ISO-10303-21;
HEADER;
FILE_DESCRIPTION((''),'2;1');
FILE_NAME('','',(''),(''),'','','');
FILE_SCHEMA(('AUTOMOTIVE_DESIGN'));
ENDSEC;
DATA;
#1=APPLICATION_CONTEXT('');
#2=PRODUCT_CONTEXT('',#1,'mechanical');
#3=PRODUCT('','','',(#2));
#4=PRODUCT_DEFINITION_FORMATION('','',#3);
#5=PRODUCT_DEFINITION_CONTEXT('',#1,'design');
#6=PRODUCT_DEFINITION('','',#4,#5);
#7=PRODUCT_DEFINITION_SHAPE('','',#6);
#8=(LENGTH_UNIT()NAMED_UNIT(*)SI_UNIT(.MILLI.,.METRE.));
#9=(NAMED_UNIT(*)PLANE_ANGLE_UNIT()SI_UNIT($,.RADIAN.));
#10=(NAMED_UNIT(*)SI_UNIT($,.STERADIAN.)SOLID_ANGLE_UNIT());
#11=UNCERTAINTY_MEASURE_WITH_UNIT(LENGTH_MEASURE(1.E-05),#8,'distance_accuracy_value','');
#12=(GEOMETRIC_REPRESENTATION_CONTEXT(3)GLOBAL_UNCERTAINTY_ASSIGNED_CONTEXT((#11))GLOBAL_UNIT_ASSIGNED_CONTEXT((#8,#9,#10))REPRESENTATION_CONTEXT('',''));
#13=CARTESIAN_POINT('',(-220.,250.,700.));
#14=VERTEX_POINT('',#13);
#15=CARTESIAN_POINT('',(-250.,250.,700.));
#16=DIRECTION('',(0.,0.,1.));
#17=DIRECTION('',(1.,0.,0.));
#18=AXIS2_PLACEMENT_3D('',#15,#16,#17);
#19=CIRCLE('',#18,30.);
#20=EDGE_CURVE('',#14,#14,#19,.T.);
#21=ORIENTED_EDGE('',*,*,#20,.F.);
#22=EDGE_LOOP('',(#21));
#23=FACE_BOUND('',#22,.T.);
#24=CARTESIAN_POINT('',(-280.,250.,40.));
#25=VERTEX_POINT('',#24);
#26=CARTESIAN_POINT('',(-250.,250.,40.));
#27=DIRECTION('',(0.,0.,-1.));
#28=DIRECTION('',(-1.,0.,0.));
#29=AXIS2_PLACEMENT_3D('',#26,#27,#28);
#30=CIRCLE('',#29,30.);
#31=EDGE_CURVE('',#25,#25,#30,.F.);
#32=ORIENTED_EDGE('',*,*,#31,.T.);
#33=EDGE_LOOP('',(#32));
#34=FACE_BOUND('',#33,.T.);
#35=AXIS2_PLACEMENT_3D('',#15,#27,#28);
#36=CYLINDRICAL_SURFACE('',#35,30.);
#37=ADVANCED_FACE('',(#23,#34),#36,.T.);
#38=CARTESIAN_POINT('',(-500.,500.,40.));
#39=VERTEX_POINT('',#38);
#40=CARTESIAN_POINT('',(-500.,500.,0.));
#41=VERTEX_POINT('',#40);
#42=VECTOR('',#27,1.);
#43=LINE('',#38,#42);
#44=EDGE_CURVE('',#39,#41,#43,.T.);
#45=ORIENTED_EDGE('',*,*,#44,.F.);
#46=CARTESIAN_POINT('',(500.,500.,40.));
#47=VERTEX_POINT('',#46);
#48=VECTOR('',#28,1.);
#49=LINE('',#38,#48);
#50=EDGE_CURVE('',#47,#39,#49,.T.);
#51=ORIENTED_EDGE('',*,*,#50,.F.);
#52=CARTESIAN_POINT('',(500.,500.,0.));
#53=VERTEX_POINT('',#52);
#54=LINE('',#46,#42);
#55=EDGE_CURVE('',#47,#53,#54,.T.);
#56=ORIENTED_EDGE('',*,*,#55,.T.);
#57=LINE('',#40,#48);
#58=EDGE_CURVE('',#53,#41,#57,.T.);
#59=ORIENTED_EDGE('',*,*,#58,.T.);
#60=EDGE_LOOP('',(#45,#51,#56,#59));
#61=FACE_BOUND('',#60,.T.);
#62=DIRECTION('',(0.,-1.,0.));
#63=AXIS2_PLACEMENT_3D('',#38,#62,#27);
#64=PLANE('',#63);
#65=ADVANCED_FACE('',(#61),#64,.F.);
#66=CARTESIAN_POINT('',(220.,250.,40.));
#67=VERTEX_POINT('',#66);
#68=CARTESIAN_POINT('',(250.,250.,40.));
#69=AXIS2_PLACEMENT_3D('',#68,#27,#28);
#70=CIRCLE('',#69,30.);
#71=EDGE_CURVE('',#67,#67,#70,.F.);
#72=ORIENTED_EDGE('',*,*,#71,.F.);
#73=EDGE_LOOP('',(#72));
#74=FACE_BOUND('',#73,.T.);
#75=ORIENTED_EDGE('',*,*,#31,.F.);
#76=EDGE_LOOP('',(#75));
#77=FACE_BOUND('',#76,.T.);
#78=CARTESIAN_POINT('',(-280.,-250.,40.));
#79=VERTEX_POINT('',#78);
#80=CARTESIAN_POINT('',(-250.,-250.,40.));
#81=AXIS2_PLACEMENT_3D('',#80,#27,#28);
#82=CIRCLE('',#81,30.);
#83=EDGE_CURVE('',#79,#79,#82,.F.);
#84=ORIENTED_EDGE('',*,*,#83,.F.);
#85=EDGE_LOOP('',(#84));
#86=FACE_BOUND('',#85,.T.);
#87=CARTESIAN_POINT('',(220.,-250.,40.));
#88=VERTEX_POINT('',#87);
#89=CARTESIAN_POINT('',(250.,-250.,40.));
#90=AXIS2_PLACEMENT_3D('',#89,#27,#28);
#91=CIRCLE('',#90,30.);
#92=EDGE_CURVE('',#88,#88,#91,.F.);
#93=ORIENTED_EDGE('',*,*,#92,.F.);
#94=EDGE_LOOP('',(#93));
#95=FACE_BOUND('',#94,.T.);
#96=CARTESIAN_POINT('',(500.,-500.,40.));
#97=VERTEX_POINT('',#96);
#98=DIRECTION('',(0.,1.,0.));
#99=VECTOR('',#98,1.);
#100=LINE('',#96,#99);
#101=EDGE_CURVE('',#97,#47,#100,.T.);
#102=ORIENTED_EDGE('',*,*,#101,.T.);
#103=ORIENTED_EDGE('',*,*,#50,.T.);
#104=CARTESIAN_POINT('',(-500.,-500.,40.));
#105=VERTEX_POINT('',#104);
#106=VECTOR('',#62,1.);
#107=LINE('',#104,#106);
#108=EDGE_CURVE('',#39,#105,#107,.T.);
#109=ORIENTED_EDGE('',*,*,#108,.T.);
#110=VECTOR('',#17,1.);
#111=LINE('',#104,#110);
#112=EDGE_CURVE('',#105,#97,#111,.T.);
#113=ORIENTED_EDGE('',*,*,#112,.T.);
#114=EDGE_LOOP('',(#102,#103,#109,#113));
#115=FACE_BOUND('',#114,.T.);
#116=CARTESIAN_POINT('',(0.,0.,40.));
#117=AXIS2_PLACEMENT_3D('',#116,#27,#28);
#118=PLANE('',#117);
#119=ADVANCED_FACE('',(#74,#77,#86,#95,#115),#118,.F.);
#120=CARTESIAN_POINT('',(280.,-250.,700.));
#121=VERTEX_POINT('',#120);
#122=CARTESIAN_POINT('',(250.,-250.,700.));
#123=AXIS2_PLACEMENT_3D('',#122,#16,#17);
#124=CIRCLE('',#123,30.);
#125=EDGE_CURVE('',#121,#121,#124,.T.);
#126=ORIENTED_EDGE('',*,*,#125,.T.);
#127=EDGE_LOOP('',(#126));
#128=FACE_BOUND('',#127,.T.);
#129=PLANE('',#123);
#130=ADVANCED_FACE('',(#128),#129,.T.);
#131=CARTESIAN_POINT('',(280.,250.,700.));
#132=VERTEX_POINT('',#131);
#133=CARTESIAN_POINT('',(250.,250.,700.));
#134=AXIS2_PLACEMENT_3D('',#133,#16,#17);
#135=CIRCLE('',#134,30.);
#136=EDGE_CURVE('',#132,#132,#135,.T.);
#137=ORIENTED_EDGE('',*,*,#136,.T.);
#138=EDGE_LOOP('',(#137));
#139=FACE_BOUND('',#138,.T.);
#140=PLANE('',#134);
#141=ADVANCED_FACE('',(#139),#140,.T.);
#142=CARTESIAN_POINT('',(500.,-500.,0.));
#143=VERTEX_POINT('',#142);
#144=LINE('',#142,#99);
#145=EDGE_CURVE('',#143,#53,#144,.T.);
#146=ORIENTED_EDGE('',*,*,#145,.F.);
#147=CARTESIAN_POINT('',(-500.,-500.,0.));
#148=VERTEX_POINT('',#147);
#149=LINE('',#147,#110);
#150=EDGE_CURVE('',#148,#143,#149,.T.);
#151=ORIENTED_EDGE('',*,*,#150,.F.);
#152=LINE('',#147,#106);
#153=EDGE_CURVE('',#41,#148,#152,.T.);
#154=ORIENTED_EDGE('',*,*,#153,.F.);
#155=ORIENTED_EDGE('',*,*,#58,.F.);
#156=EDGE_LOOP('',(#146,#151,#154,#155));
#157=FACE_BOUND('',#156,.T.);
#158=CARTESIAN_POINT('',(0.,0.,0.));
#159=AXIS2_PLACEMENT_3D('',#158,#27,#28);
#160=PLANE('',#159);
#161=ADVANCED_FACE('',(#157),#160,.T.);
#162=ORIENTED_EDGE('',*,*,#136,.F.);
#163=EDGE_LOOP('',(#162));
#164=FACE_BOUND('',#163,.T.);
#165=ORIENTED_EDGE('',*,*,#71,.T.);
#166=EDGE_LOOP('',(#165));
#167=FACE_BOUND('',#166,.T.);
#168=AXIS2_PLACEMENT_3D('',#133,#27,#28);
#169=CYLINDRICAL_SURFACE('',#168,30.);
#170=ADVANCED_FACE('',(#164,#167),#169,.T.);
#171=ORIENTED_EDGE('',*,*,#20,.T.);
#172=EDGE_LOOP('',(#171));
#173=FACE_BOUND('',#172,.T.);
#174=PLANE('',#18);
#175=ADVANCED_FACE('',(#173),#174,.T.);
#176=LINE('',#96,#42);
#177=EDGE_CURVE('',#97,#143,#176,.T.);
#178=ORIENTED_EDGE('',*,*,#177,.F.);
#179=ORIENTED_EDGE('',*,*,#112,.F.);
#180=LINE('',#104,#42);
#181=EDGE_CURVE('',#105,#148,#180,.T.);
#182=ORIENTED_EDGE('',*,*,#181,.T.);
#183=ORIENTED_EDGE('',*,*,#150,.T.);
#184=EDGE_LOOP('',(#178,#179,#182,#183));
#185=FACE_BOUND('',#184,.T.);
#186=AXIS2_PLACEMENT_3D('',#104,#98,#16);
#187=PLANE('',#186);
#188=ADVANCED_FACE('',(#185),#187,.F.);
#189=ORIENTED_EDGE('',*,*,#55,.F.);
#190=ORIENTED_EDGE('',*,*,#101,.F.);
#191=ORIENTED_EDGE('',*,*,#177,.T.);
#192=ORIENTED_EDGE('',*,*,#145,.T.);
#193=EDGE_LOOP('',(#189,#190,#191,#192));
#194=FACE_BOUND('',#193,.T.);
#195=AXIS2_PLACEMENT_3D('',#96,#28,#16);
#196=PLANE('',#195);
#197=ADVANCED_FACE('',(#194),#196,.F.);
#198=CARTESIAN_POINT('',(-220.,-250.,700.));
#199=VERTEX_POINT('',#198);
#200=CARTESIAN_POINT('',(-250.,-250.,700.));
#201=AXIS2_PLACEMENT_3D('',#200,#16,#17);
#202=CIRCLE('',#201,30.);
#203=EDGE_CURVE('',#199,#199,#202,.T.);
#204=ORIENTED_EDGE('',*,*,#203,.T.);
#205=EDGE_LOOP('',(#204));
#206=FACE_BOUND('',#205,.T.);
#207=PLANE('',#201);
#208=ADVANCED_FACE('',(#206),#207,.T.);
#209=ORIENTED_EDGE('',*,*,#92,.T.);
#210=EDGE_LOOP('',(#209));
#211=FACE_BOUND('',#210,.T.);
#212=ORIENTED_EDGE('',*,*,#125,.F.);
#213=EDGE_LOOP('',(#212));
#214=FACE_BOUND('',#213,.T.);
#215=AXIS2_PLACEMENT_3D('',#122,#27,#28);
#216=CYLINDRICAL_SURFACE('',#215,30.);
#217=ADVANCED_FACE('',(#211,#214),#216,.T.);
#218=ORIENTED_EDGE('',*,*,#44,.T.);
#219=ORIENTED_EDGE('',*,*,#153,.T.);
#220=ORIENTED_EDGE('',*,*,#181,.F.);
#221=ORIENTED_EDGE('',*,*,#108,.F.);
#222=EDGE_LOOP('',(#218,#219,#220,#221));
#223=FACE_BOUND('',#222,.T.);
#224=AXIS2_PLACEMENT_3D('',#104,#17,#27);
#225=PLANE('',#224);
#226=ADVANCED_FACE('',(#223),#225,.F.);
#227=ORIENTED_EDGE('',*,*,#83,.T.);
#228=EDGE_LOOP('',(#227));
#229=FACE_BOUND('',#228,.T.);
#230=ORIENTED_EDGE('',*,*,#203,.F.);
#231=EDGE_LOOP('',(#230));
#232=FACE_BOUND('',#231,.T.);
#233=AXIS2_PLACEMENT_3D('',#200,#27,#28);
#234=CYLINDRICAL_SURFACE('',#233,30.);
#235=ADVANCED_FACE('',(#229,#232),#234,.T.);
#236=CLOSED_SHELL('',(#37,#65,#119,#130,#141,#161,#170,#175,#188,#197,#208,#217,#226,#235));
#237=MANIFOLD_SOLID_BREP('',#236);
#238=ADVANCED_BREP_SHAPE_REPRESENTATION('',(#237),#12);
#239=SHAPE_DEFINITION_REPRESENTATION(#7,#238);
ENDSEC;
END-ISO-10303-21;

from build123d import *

# Parameters (mm, degrees)
SKETCH_1_W      = 1000
SKETCH_1_H      = 1000
EXTRUDE_1_DEPTH = 40
SKETCH_2_R      = 30
EXTRUDE_2_DEPTH = 700
SKETCH_3_R      = 30
EXTRUDE_3_DEPTH = 700
SKETCH_4_R      = 30
EXTRUDE_4_DEPTH = 700
SKETCH_5_R      = 30
EXTRUDE_5_DEPTH = 700


with BuildPart() as part:
    # 草图1 → 凸台-拉伸1 (new body)
    with BuildSketch(Plane.XY):
        Rectangle(SKETCH_1_W, SKETCH_1_H)
    extrude(amount=EXTRUDE_1_DEPTH)

    # 草图2 → 凸台-拉伸2 (add)
    with BuildSketch(Plane.XY):
        with Locations(Location((-250, -250, 0), (0, 0, 180))):
            Circle(SKETCH_2_R)
    extrude(amount=EXTRUDE_2_DEPTH)

    # 草图3 → 凸台-拉伸3 (add)
    with BuildSketch(Plane.XY):
        with Locations(Location((250, -250, 0), (0, 0, 180))):
            Circle(SKETCH_3_R)
    extrude(amount=EXTRUDE_3_DEPTH)

    # 草图4 → 凸台-拉伸4 (add)
    with BuildSketch(Plane.XY):
        with Locations(Location((-250, 250, 0), (0, 0, 180))):
            Circle(SKETCH_4_R)
    extrude(amount=EXTRUDE_4_DEPTH)

    # 草图5 → 凸台-拉伸5 (add)
    with BuildSketch(Plane.XY):
        with Locations(Location((250, 250, 0), (0, 0, 180))):
            Circle(SKETCH_5_R)
    extrude(amount=EXTRUDE_5_DEPTH)


solid = part.part
